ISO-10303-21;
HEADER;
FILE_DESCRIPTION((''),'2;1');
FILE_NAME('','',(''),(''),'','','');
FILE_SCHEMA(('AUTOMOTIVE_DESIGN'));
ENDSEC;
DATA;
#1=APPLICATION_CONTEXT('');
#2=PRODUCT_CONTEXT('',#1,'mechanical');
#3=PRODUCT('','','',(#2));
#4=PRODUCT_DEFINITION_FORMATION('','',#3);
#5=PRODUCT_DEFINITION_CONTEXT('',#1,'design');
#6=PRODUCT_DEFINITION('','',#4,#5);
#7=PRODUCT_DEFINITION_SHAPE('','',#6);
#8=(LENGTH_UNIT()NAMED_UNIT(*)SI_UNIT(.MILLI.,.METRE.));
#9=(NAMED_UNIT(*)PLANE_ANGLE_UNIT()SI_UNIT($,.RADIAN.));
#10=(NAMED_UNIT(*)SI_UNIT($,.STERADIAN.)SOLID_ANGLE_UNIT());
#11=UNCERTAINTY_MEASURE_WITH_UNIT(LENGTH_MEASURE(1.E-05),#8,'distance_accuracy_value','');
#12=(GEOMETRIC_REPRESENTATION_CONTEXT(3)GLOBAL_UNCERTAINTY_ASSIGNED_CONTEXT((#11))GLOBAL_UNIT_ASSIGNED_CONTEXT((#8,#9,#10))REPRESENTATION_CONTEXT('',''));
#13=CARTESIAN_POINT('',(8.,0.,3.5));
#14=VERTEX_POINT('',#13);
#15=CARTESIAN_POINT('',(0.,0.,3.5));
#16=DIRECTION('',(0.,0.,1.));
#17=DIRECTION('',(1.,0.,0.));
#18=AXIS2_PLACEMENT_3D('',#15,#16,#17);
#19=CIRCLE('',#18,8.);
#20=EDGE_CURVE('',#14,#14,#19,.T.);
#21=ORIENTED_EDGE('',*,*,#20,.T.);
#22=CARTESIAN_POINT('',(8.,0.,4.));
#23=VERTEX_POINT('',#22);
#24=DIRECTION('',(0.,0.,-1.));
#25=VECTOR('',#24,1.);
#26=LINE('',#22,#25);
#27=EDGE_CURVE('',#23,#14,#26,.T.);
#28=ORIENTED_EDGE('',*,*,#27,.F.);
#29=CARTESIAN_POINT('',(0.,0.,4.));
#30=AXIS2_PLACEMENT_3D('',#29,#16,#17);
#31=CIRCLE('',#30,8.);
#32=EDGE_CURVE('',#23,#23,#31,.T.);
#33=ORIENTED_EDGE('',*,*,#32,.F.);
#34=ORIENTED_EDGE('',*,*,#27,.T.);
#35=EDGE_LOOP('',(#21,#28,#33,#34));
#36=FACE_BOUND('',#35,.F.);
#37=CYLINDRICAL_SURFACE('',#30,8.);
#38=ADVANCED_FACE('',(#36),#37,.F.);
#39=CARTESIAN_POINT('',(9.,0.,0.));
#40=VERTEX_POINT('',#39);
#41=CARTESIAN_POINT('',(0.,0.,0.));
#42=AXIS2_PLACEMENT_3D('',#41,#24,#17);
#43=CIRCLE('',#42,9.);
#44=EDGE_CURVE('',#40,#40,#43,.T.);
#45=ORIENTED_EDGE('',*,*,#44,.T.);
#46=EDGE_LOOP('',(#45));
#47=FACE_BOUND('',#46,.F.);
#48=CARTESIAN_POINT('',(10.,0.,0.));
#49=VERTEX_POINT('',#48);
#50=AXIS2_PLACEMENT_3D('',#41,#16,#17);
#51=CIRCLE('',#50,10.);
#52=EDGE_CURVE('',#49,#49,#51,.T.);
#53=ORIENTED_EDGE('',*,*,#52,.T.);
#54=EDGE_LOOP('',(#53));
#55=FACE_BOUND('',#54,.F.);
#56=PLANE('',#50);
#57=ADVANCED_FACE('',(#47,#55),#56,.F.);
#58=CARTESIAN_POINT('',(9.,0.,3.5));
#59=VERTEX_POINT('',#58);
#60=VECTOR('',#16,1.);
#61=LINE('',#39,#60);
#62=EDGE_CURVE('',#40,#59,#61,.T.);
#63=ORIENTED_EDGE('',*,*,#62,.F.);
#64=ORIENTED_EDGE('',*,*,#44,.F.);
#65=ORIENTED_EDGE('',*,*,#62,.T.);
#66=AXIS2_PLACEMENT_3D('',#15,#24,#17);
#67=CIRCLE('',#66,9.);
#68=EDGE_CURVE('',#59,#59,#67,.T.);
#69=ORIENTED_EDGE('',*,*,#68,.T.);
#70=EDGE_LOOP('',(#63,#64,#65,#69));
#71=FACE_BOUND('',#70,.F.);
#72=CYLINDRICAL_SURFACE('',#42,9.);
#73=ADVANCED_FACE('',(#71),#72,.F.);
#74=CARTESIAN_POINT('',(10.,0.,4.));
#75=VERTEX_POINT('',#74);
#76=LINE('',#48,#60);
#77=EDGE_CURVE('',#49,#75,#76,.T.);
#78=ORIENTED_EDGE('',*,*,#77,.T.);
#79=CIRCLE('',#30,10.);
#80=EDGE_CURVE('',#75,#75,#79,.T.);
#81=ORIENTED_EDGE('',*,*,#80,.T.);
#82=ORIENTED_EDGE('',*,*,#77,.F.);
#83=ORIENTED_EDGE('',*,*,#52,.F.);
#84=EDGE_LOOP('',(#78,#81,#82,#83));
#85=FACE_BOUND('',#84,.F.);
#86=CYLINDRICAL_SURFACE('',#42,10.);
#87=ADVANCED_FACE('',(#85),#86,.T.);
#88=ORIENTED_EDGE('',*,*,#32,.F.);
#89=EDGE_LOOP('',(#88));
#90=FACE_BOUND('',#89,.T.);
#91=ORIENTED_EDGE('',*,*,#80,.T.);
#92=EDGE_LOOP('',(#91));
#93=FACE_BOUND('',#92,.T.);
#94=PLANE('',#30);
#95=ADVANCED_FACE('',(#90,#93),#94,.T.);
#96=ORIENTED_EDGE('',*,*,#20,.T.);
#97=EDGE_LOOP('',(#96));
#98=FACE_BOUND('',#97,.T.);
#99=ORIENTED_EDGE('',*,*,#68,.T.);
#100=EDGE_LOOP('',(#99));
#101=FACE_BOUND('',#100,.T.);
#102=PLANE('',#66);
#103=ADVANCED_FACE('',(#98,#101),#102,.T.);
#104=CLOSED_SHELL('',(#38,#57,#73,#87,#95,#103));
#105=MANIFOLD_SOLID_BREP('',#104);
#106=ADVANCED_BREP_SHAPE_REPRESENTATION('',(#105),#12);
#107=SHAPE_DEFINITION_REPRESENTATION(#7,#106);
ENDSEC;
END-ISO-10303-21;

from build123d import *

# Parameters (mm, degrees)
F0_R     = 10
F1_DEPTH = 4
F2_R     = 8
F3_DEPTH = 25
F4_R     = 9
F5_DEPTH = 3.5


with BuildPart() as f1:
    # F0 (on Top) → F1 (new body)
    with BuildSketch(Plane.XY):
        Circle(F0_R)
    extrude(amount=F1_DEPTH)

    # F2 (on face) → F3 (cut)
    with BuildSketch(Plane.XY.offset(4)):
        Circle(F2_R)
    extrude(amount=-F3_DEPTH, mode=Mode.SUBTRACT)

    # F4 (on face) → F5 (cut)
    with BuildSketch(Plane(origin=(0, 0, 0), x_dir=(1, 0, 0), z_dir=(0, 0, -1))):
        Circle(F4_R)
    extrude(amount=-F5_DEPTH, mode=Mode.SUBTRACT)


solid = f1.part
